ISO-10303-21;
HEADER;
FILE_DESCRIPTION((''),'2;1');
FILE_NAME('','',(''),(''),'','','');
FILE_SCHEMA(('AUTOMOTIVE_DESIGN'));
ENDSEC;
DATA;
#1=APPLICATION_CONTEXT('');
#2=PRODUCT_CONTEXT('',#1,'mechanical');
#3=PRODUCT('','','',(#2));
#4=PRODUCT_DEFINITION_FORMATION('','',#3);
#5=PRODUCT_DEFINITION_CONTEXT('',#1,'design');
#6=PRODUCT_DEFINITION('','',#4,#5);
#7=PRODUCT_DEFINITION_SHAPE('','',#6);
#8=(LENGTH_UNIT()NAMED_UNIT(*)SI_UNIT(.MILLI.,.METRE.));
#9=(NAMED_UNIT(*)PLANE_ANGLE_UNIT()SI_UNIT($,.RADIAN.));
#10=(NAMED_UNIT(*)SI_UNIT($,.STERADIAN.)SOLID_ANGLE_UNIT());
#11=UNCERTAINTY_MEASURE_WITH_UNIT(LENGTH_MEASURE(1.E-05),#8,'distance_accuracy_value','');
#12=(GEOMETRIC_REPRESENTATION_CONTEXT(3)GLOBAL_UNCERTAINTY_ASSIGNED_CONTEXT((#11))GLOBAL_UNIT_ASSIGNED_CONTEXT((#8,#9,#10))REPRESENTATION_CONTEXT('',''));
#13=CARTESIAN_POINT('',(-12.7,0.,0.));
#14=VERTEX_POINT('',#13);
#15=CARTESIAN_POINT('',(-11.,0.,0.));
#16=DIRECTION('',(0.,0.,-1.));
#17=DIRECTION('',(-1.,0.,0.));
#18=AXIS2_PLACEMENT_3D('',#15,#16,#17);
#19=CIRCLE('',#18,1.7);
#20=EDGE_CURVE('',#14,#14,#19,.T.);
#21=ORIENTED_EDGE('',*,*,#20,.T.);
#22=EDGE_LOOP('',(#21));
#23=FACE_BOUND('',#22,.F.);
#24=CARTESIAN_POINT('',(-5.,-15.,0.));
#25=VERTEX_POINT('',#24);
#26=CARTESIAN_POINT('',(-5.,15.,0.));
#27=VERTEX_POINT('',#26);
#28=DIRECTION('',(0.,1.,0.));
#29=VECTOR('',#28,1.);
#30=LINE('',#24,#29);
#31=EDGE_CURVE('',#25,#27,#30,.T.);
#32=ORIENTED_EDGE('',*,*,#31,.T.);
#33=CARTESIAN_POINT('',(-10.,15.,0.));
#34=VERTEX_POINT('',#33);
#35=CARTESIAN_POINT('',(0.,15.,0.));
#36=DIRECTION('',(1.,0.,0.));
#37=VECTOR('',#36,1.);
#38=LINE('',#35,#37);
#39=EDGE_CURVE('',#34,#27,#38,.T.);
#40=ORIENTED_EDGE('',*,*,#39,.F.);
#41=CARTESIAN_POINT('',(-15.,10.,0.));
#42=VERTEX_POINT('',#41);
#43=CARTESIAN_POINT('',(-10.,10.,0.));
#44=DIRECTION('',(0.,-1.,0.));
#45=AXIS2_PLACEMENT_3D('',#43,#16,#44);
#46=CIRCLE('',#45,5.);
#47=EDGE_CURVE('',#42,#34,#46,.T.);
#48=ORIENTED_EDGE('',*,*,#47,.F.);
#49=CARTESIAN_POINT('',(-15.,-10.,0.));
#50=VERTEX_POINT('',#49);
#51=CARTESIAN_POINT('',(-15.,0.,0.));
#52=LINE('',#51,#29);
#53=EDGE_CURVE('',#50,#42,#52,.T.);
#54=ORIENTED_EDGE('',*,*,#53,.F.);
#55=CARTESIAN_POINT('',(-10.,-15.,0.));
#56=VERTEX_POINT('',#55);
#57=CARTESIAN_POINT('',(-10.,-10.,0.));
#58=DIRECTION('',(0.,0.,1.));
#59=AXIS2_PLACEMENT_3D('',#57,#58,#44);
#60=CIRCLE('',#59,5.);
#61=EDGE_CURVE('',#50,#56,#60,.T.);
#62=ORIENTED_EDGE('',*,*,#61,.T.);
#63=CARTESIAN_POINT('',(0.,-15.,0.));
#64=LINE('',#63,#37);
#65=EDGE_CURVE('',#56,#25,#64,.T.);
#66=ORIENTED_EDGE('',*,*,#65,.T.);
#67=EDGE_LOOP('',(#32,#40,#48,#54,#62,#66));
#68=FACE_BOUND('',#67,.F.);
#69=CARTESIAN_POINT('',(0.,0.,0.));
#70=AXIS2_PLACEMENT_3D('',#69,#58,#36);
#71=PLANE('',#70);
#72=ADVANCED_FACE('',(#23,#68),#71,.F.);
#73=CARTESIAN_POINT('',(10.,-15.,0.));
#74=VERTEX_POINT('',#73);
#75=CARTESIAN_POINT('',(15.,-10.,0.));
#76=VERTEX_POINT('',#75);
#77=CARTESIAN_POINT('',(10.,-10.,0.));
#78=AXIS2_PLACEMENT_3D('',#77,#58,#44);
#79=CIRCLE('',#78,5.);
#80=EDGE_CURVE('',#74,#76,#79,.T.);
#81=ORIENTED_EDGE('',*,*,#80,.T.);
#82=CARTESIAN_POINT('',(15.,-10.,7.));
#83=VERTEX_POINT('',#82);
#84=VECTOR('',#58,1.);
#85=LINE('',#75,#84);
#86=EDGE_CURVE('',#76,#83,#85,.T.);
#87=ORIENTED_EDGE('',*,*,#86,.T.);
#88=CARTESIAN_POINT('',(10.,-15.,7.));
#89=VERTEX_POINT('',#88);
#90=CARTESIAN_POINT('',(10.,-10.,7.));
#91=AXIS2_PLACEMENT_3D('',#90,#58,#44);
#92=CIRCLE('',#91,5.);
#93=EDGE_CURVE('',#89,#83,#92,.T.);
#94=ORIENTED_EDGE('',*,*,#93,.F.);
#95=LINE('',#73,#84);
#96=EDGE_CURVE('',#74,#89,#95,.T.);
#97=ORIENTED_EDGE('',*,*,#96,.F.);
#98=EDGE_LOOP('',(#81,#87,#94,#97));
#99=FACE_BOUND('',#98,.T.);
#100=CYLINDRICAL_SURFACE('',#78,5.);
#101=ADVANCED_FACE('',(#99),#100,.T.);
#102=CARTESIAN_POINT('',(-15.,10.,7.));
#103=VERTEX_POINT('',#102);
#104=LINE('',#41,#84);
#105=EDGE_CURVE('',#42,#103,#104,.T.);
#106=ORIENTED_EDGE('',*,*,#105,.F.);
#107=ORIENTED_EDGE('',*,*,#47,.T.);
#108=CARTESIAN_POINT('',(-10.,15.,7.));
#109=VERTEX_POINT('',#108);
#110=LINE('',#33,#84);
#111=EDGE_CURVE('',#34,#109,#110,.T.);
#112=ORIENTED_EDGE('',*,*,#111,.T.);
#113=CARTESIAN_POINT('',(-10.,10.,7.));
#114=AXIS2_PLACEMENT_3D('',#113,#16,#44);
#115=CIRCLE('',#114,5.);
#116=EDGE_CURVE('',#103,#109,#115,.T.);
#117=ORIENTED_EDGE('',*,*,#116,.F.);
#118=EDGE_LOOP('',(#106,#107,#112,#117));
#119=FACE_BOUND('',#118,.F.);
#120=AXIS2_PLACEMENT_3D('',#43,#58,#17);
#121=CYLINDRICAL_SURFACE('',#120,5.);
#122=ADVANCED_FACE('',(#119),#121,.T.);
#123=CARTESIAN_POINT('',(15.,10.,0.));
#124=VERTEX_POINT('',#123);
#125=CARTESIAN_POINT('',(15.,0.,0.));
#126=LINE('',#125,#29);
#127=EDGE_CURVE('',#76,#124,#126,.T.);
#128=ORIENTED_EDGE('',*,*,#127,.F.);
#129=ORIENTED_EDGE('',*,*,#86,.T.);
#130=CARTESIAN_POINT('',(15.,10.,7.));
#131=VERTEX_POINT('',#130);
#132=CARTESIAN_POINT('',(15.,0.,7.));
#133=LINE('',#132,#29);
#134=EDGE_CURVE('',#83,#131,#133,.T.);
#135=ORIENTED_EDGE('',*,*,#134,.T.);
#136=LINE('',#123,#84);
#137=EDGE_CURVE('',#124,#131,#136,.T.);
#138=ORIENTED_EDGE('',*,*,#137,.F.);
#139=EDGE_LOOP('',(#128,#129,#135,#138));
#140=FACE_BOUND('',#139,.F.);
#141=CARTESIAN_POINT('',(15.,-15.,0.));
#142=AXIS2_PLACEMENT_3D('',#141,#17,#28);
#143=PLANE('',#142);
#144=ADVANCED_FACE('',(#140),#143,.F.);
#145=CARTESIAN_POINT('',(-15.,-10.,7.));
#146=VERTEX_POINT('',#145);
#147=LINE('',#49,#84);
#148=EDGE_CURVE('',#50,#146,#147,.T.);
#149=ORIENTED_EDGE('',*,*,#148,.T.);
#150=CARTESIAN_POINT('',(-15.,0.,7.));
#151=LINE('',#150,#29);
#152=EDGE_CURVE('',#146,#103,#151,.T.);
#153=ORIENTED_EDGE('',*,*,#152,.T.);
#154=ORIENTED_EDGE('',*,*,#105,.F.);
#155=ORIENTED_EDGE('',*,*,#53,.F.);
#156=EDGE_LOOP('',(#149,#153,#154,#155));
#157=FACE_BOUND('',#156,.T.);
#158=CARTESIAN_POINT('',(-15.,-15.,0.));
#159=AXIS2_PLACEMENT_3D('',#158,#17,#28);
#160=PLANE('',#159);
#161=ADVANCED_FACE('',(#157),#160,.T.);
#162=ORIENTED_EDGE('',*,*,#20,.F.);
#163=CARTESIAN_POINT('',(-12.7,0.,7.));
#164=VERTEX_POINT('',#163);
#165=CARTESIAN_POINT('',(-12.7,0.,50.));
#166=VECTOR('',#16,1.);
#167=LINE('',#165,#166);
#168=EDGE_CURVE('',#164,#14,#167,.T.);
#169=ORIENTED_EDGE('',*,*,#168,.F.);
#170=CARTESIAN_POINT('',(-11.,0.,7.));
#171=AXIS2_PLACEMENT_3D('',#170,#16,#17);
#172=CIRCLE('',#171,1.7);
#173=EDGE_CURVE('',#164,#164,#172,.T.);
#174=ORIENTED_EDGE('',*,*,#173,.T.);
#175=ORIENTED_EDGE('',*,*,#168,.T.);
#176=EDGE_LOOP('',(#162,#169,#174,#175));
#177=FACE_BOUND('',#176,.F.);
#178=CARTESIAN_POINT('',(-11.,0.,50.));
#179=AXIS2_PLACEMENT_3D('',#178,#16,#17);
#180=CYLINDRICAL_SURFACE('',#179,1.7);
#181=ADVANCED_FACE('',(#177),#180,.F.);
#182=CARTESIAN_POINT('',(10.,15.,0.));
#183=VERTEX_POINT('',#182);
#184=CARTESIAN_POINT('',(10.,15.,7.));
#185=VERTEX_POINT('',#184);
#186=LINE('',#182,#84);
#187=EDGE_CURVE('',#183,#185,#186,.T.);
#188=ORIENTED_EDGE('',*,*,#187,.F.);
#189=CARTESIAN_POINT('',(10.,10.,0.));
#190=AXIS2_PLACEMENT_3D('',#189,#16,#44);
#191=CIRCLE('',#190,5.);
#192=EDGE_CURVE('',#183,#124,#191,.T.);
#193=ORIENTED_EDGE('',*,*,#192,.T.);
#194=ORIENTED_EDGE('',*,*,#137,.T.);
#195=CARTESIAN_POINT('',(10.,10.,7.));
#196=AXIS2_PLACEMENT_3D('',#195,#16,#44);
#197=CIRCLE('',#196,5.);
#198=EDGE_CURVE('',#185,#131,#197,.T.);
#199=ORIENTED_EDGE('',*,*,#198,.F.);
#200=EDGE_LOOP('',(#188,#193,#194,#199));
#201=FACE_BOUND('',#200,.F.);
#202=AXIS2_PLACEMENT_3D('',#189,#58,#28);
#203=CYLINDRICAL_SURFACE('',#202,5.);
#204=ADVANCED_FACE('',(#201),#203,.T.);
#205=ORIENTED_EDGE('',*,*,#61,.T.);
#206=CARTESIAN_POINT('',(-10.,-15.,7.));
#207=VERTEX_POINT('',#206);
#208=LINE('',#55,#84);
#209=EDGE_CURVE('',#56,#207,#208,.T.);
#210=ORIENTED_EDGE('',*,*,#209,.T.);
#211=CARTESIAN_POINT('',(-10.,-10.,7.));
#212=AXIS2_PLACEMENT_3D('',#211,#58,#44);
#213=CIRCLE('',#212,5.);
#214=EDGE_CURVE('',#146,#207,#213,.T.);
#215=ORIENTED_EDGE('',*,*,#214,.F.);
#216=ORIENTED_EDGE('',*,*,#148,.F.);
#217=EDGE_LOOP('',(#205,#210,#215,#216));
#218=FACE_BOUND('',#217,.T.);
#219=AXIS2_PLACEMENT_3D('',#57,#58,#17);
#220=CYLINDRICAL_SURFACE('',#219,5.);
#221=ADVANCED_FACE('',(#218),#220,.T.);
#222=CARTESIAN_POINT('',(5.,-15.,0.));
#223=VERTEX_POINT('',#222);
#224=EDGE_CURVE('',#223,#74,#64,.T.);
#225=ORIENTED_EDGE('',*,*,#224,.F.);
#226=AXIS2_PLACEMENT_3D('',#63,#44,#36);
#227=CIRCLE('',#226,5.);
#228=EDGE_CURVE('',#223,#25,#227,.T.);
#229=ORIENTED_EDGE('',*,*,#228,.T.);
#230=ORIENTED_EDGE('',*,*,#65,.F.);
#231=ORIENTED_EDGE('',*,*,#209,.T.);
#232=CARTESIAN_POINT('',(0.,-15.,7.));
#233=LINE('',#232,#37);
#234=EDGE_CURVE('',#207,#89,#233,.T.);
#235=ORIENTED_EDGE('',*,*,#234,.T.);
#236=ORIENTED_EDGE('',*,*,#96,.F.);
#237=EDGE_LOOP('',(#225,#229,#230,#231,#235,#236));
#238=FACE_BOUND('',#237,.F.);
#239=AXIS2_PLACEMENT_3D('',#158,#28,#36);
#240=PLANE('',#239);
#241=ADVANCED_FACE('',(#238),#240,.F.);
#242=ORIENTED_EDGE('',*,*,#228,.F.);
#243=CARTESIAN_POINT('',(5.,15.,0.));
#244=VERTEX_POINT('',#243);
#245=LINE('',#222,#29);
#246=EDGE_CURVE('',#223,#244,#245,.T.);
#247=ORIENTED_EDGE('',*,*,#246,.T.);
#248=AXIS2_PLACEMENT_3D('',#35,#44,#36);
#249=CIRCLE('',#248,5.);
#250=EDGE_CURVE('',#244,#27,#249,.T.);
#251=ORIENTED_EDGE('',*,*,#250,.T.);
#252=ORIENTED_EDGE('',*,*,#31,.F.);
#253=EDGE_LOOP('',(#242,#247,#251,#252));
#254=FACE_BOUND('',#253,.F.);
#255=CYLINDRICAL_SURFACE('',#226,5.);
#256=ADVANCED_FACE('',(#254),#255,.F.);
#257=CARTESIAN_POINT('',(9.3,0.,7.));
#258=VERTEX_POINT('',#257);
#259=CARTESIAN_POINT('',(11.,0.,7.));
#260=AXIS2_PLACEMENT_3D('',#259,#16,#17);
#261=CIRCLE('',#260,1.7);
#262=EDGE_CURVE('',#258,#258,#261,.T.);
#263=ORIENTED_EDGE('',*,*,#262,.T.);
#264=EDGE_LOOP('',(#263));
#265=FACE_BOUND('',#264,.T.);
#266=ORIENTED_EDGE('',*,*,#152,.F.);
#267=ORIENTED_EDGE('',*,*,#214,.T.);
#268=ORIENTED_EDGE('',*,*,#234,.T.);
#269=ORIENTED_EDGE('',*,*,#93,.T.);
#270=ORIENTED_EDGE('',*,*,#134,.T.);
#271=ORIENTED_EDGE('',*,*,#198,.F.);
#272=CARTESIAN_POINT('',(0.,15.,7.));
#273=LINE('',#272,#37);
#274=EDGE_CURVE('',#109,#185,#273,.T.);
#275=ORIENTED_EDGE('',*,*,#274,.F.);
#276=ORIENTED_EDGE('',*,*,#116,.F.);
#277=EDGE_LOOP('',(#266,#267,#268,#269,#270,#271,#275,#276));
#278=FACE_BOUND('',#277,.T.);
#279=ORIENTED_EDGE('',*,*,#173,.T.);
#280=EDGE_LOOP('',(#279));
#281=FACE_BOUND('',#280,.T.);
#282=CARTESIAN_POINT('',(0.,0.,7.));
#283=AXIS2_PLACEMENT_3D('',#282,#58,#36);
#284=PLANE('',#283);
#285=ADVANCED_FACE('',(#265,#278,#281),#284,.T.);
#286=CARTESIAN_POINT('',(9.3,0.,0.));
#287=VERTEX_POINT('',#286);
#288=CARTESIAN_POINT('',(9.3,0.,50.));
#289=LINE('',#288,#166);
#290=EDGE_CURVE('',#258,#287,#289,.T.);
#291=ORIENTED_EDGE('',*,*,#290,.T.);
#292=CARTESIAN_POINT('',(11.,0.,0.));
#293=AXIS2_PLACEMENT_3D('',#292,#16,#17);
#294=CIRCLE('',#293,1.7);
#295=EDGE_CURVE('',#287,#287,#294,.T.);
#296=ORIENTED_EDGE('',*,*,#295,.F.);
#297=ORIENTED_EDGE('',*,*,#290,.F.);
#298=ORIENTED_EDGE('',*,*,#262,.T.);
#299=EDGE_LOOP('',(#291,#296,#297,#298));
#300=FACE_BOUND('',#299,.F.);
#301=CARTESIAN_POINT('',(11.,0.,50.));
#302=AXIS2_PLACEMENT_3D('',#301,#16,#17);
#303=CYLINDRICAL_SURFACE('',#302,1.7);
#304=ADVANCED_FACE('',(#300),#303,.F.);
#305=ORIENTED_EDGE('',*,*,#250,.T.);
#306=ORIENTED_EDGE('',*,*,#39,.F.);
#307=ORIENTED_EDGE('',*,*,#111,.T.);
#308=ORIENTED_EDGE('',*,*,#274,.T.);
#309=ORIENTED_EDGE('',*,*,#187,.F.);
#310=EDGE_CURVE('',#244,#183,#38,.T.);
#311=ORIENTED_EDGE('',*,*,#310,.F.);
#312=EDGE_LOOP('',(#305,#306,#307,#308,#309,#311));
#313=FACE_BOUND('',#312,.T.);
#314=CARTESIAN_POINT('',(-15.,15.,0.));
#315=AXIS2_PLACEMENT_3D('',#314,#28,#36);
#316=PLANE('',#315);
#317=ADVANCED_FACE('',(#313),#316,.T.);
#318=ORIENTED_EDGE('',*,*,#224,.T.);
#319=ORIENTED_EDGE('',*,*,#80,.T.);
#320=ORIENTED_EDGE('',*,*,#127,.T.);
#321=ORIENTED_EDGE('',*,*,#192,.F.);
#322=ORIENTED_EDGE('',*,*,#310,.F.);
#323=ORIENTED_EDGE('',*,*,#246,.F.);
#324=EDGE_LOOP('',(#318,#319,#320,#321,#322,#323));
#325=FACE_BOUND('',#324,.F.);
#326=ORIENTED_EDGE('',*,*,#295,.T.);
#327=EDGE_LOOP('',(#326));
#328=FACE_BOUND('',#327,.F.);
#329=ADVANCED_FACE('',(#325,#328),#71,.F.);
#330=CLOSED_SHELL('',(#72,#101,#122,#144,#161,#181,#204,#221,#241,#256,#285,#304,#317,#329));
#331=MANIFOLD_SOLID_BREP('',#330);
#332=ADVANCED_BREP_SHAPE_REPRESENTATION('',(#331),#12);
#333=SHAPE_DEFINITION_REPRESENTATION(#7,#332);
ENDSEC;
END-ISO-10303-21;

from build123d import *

# Parameters (mm, degrees)
F0_W     = 30
F0_H     = 30
F1_DEPTH = 7
F3_D     = 3.4
F5_DEPTH = 30
F6_R     = 5


with BuildPart() as f1:
    # F0 (on Top) → F1 (new body)
    with BuildSketch(Plane.XY):
        Rectangle(F0_W, F0_H)
    extrude(amount=F1_DEPTH)

    # F3 (through all)
    with Locations(Plane.XY.offset(7)):
        with Locations((-11, 0), (11, 0)):
            Hole(F3_D / 2)

    # F4 (on face) → F5 (cut, through all)
    with BuildSketch(Plane.XZ.offset(15)):
        with BuildLine():
            Line((-5, 0), (5, 0))
            ThreePointArc((5, 0), (0, 5), (-5, 0))
        make_face()
    extrude(amount=-F5_DEPTH, mode=Mode.SUBTRACT)

    # F6
    f6_edges = [f1.edges().sort_by_distance(p)[0] for p in [
        (15, -15, 3.5),
        (-15, -15, 3.5),
        (15, 15, 3.5),
        (-15, 15, 3.5),
    ]]
    fillet(f6_edges, radius=F6_R)


solid = f1.part
